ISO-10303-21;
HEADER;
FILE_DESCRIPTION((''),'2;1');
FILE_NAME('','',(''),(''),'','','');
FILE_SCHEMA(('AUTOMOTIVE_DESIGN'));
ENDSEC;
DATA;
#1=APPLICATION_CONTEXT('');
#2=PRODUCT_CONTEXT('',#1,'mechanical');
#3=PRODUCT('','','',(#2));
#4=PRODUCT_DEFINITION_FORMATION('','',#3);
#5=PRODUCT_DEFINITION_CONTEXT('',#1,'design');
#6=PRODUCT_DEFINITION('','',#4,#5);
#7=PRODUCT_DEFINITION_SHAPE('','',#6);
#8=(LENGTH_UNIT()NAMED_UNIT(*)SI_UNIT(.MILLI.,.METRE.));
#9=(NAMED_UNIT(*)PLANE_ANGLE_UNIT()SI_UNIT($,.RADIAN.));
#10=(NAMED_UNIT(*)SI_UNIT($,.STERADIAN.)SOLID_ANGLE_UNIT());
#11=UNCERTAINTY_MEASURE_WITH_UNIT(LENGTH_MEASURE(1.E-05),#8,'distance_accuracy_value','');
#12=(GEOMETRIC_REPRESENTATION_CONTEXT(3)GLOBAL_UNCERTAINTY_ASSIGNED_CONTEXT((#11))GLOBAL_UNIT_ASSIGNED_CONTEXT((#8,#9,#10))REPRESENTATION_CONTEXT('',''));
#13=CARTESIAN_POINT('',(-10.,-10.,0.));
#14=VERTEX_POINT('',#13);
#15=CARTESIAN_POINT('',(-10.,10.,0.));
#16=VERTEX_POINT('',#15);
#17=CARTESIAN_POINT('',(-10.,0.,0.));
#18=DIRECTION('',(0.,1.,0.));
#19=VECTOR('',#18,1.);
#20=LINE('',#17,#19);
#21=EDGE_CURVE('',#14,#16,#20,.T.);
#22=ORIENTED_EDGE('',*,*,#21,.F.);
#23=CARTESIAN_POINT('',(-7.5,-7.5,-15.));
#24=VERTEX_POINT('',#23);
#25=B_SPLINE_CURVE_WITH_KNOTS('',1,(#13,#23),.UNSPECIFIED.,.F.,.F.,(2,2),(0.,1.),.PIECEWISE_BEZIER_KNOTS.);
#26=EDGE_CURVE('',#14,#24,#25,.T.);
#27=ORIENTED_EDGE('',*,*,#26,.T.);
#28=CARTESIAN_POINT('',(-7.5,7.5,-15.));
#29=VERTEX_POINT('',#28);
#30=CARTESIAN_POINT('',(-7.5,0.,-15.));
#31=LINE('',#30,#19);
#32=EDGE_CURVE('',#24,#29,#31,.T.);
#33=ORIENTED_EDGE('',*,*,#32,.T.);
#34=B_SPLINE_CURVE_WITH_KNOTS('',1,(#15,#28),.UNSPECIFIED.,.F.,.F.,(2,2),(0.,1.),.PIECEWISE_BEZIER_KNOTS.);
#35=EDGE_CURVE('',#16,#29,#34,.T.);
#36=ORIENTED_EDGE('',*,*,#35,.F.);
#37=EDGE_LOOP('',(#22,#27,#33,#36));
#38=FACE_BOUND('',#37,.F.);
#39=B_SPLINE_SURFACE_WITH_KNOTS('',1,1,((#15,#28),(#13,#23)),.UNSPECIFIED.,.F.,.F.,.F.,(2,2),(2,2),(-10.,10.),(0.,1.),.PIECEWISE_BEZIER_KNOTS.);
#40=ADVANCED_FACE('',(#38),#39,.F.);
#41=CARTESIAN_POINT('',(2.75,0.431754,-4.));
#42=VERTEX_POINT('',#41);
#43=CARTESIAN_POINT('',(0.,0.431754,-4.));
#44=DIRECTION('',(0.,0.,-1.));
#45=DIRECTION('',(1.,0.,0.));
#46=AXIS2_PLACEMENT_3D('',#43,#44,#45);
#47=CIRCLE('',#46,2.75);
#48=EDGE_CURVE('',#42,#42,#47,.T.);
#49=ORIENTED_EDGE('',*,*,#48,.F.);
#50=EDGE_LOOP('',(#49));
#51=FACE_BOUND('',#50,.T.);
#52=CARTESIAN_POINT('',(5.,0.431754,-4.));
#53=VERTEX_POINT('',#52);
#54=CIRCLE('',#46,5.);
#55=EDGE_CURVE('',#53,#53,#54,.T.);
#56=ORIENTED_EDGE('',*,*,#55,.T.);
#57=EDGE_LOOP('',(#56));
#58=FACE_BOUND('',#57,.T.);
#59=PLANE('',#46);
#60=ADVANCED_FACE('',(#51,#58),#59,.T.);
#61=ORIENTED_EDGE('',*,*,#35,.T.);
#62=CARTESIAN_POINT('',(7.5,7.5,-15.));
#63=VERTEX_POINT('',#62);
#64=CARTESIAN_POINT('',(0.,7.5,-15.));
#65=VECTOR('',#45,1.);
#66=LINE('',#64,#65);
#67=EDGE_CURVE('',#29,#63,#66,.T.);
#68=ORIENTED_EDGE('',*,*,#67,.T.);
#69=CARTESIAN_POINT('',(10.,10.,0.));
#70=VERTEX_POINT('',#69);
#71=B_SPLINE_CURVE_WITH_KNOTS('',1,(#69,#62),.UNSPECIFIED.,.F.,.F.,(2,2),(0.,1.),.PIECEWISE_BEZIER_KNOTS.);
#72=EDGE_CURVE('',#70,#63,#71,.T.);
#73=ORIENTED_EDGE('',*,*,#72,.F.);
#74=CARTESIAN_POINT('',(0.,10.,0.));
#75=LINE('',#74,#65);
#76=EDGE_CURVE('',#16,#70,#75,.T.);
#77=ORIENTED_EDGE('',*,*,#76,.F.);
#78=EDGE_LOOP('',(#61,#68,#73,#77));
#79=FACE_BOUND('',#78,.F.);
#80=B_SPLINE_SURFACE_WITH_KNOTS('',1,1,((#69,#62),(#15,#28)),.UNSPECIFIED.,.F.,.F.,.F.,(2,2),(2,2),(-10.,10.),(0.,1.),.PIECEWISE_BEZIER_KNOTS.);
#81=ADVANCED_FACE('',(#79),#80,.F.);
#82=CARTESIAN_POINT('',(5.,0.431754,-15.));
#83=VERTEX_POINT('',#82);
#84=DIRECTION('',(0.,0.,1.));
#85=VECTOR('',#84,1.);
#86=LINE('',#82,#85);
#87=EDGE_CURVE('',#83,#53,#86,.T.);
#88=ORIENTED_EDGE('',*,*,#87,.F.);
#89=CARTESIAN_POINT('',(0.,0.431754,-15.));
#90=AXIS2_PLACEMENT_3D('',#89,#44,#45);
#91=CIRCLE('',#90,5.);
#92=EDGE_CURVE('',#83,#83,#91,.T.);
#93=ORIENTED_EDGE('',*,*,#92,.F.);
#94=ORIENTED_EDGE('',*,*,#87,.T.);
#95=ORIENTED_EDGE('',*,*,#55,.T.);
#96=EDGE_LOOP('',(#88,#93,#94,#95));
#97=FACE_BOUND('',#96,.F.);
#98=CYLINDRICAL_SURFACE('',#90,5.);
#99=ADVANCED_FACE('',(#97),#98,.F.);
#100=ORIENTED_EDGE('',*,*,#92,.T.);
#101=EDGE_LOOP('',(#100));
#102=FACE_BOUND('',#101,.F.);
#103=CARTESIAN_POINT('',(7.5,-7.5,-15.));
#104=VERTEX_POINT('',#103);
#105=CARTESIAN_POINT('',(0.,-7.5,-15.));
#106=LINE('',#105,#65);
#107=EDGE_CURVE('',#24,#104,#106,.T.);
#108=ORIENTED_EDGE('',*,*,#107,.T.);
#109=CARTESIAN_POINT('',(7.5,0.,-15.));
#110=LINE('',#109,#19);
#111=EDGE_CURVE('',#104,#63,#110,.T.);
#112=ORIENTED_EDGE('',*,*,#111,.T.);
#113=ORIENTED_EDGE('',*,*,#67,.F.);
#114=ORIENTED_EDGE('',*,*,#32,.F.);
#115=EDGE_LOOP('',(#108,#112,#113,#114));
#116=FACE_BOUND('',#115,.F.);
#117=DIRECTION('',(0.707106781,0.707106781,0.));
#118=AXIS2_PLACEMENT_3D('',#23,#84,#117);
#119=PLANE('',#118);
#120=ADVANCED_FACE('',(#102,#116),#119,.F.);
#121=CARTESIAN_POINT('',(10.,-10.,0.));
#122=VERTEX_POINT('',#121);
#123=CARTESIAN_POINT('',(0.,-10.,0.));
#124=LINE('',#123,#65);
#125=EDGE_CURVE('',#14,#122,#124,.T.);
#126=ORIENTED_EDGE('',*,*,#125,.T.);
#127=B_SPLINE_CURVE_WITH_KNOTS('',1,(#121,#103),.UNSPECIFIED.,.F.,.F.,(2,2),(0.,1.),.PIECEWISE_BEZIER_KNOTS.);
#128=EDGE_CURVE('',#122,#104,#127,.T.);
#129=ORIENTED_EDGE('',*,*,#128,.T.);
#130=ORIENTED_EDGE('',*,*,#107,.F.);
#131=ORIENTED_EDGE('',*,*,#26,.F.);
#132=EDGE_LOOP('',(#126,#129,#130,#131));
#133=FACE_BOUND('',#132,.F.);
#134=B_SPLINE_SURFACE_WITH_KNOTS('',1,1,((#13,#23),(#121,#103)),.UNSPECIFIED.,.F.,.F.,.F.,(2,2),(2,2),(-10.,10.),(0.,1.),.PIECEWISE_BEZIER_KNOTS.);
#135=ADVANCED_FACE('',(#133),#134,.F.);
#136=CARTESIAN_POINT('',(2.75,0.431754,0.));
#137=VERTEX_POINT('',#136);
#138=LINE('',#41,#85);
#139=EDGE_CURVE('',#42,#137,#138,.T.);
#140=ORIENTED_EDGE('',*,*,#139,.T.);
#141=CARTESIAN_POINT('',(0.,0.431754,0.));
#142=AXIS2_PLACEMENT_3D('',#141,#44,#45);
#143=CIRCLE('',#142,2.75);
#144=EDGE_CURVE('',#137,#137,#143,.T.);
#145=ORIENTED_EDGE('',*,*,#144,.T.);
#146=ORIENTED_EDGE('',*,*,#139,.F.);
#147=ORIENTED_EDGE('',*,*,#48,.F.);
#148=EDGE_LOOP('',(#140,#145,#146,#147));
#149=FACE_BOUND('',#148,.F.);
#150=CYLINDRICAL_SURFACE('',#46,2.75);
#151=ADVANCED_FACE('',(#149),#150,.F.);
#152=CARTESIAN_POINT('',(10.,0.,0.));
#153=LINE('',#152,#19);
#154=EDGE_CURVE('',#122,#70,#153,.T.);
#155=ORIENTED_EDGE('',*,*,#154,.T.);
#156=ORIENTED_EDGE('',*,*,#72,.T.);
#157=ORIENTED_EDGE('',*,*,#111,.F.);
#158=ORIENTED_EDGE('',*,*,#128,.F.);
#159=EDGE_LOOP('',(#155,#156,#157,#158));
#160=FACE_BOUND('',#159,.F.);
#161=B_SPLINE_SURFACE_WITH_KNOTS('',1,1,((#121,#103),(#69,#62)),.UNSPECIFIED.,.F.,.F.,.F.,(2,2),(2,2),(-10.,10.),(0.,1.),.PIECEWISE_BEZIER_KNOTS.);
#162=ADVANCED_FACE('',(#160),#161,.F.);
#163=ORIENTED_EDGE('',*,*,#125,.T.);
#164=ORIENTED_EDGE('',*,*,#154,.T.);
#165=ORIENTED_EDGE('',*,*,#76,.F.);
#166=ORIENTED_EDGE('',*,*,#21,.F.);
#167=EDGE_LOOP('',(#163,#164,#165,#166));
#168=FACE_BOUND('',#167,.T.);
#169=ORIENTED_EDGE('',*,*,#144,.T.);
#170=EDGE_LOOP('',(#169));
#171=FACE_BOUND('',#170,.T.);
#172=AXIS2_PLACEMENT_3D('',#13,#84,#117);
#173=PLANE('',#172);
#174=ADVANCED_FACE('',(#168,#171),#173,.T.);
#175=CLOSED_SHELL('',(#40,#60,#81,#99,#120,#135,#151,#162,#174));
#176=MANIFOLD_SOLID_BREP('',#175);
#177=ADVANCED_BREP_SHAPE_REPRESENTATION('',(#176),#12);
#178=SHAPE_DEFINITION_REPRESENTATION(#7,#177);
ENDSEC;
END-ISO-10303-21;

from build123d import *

# Parameters (mm, degrees)
F0_W     = 20
F0_H     = 20
F2_W     = 15
F2_H     = 15
F4_R     = 5
F5_DEPTH = 11
F6_R     = 2.75
F7_DEPTH = 10


with BuildPart() as f3:
    # F0 (on Top) → F3 section 0
    with BuildSketch(Plane.XY):
        Rectangle(F0_W, F0_H)
    # F2 (on offset) → F3 section 1
    with BuildSketch(Plane.XY.offset(-15)):
        Rectangle(F2_W, F2_H)
    loft()

    # F4 (on face) → F5 (cut)
    with BuildSketch(Plane(origin=(0, 0, -15), x_dir=(1, 0, 0), z_dir=(0, 0, -1))):
        with Locations((0, -0.431754)):
            Circle(F4_R)
    extrude(amount=-F5_DEPTH, mode=Mode.SUBTRACT)

    # F6 (on face) → F7 (cut)
    with BuildSketch(Plane(origin=(0, 0, -4), x_dir=(1, 0, 0), z_dir=(0, 0, -1))):
        with Locations((0, -0.431754)):
            Circle(F6_R)
    extrude(amount=-F7_DEPTH, mode=Mode.SUBTRACT)


solid = f3.part
